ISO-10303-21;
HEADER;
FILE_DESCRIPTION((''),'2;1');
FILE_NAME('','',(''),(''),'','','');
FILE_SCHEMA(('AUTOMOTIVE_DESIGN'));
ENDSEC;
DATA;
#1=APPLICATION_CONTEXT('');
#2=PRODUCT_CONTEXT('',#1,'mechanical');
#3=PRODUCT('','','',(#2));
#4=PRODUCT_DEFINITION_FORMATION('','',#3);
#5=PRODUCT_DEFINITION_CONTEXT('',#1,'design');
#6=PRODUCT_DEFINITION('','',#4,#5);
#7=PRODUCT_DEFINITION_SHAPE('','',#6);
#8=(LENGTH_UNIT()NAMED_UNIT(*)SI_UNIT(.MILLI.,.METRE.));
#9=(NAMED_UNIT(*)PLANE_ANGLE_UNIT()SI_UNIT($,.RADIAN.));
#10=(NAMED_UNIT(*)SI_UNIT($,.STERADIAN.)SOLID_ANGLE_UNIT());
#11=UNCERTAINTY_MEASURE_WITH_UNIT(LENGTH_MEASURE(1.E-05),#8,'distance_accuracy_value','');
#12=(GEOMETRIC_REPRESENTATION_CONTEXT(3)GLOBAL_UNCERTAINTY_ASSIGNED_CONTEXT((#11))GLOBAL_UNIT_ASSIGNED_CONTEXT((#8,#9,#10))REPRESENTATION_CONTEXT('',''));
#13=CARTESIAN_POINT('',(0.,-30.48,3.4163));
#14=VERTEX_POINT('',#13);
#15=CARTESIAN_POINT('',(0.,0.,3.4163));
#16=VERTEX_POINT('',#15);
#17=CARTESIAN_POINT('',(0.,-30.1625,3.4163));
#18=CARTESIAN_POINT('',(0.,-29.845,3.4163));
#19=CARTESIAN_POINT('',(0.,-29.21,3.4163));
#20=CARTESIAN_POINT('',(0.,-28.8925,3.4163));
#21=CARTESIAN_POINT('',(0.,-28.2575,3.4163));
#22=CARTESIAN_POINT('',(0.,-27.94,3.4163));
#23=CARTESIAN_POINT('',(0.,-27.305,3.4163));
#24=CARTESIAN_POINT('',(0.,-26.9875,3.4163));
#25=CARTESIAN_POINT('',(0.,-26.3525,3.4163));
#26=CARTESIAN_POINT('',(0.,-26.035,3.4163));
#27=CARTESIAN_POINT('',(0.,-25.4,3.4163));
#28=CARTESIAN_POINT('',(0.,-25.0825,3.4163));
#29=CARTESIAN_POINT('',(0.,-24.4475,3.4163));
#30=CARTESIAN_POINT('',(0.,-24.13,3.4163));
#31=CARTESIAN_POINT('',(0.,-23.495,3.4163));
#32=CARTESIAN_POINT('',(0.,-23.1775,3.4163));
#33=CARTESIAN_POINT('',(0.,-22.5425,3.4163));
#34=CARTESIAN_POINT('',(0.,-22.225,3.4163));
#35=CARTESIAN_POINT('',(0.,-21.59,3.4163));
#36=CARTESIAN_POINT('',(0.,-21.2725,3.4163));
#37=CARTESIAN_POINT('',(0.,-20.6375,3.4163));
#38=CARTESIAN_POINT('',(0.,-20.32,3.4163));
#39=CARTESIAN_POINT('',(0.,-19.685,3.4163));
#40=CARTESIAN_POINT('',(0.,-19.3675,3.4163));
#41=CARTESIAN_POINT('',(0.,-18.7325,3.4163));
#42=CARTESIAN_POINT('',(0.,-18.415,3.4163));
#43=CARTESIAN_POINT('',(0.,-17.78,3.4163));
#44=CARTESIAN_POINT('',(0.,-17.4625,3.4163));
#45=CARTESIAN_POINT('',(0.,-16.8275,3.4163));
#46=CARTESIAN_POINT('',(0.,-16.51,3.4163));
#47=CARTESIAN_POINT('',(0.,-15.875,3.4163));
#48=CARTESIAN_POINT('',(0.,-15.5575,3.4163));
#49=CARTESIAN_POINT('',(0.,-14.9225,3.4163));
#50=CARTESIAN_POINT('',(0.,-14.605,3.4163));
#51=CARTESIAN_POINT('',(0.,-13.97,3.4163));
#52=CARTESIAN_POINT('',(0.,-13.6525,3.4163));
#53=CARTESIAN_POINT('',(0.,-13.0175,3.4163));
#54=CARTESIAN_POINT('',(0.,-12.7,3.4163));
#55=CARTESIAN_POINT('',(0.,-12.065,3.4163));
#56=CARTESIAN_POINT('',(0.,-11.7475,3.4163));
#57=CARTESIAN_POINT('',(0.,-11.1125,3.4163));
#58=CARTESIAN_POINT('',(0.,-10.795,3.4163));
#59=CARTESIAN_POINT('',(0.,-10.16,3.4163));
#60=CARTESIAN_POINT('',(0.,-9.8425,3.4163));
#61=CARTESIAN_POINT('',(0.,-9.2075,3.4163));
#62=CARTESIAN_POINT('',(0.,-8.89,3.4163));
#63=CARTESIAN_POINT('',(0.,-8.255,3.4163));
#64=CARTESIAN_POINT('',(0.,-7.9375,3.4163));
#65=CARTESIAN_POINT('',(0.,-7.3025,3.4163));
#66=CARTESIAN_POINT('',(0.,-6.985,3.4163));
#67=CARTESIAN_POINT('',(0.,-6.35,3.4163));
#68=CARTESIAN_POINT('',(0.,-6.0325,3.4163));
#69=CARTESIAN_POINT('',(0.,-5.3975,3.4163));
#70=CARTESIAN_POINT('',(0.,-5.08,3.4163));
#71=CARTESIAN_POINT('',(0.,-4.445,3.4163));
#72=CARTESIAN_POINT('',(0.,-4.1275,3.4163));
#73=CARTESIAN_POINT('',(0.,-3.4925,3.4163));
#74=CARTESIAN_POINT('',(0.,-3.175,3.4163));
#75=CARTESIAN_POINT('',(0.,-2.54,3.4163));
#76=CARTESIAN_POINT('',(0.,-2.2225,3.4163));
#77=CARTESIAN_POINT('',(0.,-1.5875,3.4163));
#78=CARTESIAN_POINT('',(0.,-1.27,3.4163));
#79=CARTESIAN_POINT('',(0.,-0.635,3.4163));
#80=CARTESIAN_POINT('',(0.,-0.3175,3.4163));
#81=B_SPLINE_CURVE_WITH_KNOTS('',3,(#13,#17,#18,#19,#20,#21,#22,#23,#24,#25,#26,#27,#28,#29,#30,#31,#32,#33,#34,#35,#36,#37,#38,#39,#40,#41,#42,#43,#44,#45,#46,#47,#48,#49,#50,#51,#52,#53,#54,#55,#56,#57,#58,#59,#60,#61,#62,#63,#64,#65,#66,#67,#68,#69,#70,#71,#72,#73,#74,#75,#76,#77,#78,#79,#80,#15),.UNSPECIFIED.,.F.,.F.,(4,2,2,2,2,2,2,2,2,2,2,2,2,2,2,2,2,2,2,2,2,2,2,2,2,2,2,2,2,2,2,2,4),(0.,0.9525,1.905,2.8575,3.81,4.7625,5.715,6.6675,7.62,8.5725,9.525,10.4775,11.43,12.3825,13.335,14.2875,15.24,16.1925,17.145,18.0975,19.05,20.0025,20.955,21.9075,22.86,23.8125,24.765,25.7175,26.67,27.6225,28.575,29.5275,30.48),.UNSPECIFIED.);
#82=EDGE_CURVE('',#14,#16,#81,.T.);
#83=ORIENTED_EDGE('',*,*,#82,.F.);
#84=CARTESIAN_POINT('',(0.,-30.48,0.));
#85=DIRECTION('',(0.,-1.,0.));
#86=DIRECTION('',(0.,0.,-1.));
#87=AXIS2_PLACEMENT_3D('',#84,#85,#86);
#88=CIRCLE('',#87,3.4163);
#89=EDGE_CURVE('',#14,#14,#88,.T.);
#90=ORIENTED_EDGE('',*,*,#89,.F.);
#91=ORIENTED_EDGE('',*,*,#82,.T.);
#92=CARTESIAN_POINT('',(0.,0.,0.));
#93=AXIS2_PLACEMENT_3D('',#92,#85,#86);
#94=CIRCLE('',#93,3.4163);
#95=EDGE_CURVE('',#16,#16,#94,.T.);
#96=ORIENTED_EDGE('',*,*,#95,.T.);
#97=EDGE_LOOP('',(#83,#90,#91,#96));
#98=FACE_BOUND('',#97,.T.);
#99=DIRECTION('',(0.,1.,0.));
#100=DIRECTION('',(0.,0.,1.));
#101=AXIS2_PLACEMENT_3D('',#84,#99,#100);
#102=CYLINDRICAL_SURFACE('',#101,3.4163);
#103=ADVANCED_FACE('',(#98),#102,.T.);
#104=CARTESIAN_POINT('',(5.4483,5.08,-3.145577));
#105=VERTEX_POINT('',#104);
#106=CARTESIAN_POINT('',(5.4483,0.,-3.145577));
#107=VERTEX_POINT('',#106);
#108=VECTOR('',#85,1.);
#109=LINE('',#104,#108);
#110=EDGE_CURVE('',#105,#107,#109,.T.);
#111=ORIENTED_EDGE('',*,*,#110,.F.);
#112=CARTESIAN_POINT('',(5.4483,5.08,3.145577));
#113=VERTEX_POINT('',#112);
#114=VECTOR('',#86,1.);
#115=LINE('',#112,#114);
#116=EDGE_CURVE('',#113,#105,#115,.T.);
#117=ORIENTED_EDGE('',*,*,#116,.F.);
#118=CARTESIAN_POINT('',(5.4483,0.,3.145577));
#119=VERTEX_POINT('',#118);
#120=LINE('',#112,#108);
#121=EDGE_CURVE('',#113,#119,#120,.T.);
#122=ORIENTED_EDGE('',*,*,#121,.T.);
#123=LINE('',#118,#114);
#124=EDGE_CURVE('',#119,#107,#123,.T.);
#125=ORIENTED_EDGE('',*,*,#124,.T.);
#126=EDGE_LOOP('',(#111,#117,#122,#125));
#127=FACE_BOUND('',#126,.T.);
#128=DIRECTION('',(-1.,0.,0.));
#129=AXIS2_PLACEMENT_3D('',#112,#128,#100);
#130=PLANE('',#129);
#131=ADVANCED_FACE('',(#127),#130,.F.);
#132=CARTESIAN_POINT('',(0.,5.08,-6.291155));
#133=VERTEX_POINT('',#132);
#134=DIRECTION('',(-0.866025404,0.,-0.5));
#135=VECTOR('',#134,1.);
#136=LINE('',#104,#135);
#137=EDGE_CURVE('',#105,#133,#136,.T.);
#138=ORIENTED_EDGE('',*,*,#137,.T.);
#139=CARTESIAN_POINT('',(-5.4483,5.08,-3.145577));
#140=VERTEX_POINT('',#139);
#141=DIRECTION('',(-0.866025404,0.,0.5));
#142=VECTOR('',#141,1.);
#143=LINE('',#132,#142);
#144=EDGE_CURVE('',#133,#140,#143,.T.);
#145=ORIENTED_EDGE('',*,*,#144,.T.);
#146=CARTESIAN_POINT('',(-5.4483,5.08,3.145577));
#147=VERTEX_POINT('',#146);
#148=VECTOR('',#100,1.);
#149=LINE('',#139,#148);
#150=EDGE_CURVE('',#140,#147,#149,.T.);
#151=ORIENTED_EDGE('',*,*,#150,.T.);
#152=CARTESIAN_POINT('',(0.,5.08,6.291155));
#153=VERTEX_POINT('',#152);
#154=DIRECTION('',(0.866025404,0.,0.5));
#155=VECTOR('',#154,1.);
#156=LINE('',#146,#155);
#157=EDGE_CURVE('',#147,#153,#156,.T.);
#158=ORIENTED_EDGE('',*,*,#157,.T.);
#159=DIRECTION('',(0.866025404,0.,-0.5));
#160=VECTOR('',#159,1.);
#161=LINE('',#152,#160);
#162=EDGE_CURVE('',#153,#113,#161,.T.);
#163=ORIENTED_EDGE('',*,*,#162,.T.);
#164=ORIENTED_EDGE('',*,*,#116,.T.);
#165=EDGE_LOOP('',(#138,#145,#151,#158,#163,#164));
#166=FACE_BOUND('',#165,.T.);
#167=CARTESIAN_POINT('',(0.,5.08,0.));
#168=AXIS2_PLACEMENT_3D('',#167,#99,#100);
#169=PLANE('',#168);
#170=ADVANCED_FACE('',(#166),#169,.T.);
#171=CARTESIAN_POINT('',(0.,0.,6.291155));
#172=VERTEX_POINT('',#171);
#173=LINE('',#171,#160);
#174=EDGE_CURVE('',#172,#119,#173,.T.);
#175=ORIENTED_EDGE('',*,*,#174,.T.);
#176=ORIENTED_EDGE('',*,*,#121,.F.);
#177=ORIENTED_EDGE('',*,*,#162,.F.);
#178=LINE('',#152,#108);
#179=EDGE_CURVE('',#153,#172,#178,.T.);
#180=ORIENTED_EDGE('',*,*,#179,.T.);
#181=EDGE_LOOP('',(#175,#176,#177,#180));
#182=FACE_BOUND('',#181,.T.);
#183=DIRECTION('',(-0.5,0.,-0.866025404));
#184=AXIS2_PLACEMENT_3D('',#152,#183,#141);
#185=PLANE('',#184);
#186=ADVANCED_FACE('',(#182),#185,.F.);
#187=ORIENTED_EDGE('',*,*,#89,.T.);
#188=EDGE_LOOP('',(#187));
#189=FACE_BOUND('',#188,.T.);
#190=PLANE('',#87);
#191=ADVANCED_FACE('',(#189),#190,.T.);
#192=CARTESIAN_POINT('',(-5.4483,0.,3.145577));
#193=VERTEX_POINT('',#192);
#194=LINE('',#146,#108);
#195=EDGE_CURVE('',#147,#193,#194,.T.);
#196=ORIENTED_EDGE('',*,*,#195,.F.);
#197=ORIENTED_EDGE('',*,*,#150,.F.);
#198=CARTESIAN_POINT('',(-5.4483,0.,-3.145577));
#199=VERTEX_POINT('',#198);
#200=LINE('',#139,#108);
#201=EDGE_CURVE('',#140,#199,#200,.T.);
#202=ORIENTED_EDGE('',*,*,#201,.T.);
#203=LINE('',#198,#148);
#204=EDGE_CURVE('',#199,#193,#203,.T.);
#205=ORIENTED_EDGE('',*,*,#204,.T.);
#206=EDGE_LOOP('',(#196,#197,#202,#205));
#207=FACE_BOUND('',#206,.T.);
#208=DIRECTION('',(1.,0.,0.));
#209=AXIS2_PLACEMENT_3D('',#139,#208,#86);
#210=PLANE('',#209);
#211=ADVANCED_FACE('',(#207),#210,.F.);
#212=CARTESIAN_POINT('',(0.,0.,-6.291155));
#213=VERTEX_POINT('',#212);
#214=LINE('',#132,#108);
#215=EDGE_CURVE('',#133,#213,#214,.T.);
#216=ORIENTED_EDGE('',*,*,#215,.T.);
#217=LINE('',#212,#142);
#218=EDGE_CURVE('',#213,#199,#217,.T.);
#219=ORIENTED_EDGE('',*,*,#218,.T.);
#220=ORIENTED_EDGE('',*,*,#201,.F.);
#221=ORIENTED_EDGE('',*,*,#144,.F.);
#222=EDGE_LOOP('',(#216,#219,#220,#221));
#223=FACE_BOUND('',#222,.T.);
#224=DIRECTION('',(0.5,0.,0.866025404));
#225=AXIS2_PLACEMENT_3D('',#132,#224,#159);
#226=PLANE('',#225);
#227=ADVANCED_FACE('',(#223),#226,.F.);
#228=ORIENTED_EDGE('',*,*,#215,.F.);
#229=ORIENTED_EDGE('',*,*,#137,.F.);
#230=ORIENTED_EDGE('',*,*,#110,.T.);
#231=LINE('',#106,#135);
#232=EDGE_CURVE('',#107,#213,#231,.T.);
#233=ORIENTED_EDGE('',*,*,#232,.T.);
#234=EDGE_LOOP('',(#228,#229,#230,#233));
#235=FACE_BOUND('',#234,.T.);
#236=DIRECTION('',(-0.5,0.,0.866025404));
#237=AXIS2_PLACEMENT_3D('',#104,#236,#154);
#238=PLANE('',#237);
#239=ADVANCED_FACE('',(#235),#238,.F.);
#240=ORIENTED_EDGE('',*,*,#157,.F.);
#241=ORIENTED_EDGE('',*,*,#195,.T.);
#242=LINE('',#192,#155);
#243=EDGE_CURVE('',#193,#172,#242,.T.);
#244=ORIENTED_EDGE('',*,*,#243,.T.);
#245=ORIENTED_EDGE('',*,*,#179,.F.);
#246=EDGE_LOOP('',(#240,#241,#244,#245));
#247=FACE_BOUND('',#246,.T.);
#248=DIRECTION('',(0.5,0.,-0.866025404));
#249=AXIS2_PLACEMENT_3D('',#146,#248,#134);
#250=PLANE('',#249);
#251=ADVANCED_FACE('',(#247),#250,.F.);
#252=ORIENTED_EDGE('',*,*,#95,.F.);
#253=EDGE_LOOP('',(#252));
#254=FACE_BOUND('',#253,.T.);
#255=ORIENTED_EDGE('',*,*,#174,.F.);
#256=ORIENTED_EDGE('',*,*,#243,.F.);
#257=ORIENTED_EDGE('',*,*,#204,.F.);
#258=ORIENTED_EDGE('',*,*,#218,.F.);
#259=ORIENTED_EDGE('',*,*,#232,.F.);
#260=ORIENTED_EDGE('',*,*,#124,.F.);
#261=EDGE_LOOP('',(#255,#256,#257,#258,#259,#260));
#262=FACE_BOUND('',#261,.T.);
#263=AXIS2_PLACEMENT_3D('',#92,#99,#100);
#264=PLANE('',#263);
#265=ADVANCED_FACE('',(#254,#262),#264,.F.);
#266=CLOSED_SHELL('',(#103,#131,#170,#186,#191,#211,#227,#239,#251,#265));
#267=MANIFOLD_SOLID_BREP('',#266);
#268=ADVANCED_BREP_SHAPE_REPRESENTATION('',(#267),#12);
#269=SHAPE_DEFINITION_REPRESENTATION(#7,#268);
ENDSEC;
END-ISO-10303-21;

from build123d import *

# Parameters (mm, degrees)
BOSS_EXTRUDE1_DEPTH = 5.08
SKETCH2_R           = 3.4163
BOSS_EXTRUDE2_DEPTH = 30.48


with BuildPart() as part:
    # Sketch1 → Boss-Extrude1 (new body)
    with BuildSketch(Plane(origin=(0, 0, 0), x_dir=(1, 0, 0), z_dir=(0, 1, 0))):
        Polygon((0, 6.291154943), (-5.4483, 3.145577472), (-5.4483, -3.145577472), (0, -6.291154943), (5.4483, -3.145577472), (5.4483, 3.145577472), align=None)
    extrude(amount=BOSS_EXTRUDE1_DEPTH)

    # Sketch2 → Boss-Extrude2 (add)
    with BuildSketch(Plane.XZ):
        with Locations(Location((0, 0, 0), (0, 0, 90))):
            Circle(SKETCH2_R)
    extrude(amount=BOSS_EXTRUDE2_DEPTH)


solid = part.part
